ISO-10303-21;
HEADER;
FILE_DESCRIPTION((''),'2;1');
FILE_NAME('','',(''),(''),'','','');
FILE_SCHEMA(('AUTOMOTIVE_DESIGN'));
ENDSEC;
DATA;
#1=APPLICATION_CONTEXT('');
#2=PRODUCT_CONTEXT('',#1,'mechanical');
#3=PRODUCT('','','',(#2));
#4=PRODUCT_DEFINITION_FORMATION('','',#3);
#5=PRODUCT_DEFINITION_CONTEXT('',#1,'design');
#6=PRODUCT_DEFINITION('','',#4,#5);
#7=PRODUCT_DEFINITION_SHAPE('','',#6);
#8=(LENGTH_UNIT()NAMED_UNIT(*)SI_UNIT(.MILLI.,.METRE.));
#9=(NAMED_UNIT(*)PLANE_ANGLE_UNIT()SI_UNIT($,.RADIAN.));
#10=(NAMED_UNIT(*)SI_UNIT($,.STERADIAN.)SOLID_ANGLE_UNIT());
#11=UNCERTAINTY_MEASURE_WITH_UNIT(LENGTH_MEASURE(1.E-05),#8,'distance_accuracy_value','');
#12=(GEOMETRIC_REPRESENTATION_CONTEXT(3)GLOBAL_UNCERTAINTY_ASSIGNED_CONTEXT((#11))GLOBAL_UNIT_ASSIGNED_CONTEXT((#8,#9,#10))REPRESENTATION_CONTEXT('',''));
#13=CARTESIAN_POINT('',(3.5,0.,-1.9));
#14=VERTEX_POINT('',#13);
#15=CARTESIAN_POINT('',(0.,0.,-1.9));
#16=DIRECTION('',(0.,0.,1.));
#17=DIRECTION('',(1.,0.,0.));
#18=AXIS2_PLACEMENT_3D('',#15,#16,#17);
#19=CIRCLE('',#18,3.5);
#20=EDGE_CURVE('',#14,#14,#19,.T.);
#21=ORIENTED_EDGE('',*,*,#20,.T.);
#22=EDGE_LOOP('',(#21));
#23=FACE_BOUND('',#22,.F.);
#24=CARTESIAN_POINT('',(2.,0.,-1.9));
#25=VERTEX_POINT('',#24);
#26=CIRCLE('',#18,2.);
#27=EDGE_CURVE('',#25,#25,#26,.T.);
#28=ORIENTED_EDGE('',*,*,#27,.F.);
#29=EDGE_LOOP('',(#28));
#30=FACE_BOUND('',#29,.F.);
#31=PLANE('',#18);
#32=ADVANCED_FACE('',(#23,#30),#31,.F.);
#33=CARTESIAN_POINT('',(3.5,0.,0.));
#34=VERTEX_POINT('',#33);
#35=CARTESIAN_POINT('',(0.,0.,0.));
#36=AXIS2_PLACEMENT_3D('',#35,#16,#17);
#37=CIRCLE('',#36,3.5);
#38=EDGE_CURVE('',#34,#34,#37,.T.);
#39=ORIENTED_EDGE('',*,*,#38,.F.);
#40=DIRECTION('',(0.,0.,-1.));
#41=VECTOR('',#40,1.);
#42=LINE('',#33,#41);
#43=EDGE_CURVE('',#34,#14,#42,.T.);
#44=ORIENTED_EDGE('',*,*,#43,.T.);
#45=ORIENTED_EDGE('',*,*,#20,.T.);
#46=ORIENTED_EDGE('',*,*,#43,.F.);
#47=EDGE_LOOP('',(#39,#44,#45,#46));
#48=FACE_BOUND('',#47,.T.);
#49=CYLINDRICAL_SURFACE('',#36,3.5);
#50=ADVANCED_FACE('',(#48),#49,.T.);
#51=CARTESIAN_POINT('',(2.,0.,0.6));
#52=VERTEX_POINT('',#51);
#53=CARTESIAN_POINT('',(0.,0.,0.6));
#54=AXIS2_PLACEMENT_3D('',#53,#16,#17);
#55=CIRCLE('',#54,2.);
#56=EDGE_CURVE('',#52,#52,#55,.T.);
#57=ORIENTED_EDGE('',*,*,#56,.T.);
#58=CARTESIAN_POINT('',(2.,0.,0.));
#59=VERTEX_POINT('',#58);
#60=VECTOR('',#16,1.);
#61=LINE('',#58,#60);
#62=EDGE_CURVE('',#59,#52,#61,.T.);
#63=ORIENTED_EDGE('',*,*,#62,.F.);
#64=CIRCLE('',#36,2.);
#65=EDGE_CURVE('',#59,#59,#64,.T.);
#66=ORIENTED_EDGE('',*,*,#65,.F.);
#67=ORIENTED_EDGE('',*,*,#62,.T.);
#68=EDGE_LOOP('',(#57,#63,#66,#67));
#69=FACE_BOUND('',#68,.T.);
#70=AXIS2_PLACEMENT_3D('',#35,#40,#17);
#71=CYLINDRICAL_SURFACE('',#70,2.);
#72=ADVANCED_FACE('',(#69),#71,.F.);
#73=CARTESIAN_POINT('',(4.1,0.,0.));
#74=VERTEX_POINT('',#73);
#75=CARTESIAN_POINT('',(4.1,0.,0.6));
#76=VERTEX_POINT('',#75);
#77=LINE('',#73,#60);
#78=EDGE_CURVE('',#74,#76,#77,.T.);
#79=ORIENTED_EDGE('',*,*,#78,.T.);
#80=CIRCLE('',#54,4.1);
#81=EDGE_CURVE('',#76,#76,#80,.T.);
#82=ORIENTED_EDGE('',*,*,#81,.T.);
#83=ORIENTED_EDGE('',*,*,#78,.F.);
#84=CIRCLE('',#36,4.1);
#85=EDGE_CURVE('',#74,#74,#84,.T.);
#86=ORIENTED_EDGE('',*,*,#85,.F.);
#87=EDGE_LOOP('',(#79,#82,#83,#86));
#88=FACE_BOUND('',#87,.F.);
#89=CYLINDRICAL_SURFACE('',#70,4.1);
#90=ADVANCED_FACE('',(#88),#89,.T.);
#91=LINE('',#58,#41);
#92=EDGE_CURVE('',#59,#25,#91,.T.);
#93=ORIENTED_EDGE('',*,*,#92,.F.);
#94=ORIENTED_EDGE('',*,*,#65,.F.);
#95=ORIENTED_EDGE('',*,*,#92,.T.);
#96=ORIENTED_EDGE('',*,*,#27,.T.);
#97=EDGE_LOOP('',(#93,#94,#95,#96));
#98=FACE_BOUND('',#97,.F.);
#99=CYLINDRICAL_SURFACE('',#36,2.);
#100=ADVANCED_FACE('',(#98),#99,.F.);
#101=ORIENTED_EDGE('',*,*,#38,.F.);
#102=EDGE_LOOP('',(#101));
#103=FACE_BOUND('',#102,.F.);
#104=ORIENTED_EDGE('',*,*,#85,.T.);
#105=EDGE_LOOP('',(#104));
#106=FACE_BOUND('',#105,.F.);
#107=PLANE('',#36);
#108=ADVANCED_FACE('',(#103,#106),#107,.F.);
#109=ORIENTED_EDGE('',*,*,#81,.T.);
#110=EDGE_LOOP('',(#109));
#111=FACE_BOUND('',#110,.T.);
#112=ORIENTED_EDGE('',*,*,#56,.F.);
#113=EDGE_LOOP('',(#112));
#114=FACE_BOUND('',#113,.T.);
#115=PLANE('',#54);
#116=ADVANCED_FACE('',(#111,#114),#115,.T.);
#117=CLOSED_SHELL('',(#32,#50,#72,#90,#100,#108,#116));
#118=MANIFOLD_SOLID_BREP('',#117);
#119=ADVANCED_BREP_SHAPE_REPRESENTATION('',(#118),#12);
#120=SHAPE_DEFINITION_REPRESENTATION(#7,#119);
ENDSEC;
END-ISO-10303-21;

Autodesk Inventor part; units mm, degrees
ref_plane "YZ Plane" through (0, 0, 0) normal (1, 0, 0) x (0, 1, 0)
ref_plane "XZ Plane" through (0, 0, 0) normal (0, 1, 0) x (-1, 0, 0)
ref_plane "XY Plane" through (0, 0, 0) normal (0, 0, 1) x (1, 0, 0)
sketch "スケッチ1" plane through (0, 0, 0) normal (0, 0, 1) x (1, 0, 0)
  circle A0 centre (0, 0) radius 2
  circle A1 centre (0, 0) radius 3.5
  circle A2 centre (0, 0) radius 4.1
  dimension "d0" = 4
  dimension "d1" = 7
  dimension "d2" = 8.2
extrude "押し出し1" add sketch "スケッチ1" along normal blind 0.6 contours A1 | A2
extrude "押し出し2" add sketch "スケッチ1" against normal blind 1.9 contours A1
properties part number "ベアリング　内径4"
